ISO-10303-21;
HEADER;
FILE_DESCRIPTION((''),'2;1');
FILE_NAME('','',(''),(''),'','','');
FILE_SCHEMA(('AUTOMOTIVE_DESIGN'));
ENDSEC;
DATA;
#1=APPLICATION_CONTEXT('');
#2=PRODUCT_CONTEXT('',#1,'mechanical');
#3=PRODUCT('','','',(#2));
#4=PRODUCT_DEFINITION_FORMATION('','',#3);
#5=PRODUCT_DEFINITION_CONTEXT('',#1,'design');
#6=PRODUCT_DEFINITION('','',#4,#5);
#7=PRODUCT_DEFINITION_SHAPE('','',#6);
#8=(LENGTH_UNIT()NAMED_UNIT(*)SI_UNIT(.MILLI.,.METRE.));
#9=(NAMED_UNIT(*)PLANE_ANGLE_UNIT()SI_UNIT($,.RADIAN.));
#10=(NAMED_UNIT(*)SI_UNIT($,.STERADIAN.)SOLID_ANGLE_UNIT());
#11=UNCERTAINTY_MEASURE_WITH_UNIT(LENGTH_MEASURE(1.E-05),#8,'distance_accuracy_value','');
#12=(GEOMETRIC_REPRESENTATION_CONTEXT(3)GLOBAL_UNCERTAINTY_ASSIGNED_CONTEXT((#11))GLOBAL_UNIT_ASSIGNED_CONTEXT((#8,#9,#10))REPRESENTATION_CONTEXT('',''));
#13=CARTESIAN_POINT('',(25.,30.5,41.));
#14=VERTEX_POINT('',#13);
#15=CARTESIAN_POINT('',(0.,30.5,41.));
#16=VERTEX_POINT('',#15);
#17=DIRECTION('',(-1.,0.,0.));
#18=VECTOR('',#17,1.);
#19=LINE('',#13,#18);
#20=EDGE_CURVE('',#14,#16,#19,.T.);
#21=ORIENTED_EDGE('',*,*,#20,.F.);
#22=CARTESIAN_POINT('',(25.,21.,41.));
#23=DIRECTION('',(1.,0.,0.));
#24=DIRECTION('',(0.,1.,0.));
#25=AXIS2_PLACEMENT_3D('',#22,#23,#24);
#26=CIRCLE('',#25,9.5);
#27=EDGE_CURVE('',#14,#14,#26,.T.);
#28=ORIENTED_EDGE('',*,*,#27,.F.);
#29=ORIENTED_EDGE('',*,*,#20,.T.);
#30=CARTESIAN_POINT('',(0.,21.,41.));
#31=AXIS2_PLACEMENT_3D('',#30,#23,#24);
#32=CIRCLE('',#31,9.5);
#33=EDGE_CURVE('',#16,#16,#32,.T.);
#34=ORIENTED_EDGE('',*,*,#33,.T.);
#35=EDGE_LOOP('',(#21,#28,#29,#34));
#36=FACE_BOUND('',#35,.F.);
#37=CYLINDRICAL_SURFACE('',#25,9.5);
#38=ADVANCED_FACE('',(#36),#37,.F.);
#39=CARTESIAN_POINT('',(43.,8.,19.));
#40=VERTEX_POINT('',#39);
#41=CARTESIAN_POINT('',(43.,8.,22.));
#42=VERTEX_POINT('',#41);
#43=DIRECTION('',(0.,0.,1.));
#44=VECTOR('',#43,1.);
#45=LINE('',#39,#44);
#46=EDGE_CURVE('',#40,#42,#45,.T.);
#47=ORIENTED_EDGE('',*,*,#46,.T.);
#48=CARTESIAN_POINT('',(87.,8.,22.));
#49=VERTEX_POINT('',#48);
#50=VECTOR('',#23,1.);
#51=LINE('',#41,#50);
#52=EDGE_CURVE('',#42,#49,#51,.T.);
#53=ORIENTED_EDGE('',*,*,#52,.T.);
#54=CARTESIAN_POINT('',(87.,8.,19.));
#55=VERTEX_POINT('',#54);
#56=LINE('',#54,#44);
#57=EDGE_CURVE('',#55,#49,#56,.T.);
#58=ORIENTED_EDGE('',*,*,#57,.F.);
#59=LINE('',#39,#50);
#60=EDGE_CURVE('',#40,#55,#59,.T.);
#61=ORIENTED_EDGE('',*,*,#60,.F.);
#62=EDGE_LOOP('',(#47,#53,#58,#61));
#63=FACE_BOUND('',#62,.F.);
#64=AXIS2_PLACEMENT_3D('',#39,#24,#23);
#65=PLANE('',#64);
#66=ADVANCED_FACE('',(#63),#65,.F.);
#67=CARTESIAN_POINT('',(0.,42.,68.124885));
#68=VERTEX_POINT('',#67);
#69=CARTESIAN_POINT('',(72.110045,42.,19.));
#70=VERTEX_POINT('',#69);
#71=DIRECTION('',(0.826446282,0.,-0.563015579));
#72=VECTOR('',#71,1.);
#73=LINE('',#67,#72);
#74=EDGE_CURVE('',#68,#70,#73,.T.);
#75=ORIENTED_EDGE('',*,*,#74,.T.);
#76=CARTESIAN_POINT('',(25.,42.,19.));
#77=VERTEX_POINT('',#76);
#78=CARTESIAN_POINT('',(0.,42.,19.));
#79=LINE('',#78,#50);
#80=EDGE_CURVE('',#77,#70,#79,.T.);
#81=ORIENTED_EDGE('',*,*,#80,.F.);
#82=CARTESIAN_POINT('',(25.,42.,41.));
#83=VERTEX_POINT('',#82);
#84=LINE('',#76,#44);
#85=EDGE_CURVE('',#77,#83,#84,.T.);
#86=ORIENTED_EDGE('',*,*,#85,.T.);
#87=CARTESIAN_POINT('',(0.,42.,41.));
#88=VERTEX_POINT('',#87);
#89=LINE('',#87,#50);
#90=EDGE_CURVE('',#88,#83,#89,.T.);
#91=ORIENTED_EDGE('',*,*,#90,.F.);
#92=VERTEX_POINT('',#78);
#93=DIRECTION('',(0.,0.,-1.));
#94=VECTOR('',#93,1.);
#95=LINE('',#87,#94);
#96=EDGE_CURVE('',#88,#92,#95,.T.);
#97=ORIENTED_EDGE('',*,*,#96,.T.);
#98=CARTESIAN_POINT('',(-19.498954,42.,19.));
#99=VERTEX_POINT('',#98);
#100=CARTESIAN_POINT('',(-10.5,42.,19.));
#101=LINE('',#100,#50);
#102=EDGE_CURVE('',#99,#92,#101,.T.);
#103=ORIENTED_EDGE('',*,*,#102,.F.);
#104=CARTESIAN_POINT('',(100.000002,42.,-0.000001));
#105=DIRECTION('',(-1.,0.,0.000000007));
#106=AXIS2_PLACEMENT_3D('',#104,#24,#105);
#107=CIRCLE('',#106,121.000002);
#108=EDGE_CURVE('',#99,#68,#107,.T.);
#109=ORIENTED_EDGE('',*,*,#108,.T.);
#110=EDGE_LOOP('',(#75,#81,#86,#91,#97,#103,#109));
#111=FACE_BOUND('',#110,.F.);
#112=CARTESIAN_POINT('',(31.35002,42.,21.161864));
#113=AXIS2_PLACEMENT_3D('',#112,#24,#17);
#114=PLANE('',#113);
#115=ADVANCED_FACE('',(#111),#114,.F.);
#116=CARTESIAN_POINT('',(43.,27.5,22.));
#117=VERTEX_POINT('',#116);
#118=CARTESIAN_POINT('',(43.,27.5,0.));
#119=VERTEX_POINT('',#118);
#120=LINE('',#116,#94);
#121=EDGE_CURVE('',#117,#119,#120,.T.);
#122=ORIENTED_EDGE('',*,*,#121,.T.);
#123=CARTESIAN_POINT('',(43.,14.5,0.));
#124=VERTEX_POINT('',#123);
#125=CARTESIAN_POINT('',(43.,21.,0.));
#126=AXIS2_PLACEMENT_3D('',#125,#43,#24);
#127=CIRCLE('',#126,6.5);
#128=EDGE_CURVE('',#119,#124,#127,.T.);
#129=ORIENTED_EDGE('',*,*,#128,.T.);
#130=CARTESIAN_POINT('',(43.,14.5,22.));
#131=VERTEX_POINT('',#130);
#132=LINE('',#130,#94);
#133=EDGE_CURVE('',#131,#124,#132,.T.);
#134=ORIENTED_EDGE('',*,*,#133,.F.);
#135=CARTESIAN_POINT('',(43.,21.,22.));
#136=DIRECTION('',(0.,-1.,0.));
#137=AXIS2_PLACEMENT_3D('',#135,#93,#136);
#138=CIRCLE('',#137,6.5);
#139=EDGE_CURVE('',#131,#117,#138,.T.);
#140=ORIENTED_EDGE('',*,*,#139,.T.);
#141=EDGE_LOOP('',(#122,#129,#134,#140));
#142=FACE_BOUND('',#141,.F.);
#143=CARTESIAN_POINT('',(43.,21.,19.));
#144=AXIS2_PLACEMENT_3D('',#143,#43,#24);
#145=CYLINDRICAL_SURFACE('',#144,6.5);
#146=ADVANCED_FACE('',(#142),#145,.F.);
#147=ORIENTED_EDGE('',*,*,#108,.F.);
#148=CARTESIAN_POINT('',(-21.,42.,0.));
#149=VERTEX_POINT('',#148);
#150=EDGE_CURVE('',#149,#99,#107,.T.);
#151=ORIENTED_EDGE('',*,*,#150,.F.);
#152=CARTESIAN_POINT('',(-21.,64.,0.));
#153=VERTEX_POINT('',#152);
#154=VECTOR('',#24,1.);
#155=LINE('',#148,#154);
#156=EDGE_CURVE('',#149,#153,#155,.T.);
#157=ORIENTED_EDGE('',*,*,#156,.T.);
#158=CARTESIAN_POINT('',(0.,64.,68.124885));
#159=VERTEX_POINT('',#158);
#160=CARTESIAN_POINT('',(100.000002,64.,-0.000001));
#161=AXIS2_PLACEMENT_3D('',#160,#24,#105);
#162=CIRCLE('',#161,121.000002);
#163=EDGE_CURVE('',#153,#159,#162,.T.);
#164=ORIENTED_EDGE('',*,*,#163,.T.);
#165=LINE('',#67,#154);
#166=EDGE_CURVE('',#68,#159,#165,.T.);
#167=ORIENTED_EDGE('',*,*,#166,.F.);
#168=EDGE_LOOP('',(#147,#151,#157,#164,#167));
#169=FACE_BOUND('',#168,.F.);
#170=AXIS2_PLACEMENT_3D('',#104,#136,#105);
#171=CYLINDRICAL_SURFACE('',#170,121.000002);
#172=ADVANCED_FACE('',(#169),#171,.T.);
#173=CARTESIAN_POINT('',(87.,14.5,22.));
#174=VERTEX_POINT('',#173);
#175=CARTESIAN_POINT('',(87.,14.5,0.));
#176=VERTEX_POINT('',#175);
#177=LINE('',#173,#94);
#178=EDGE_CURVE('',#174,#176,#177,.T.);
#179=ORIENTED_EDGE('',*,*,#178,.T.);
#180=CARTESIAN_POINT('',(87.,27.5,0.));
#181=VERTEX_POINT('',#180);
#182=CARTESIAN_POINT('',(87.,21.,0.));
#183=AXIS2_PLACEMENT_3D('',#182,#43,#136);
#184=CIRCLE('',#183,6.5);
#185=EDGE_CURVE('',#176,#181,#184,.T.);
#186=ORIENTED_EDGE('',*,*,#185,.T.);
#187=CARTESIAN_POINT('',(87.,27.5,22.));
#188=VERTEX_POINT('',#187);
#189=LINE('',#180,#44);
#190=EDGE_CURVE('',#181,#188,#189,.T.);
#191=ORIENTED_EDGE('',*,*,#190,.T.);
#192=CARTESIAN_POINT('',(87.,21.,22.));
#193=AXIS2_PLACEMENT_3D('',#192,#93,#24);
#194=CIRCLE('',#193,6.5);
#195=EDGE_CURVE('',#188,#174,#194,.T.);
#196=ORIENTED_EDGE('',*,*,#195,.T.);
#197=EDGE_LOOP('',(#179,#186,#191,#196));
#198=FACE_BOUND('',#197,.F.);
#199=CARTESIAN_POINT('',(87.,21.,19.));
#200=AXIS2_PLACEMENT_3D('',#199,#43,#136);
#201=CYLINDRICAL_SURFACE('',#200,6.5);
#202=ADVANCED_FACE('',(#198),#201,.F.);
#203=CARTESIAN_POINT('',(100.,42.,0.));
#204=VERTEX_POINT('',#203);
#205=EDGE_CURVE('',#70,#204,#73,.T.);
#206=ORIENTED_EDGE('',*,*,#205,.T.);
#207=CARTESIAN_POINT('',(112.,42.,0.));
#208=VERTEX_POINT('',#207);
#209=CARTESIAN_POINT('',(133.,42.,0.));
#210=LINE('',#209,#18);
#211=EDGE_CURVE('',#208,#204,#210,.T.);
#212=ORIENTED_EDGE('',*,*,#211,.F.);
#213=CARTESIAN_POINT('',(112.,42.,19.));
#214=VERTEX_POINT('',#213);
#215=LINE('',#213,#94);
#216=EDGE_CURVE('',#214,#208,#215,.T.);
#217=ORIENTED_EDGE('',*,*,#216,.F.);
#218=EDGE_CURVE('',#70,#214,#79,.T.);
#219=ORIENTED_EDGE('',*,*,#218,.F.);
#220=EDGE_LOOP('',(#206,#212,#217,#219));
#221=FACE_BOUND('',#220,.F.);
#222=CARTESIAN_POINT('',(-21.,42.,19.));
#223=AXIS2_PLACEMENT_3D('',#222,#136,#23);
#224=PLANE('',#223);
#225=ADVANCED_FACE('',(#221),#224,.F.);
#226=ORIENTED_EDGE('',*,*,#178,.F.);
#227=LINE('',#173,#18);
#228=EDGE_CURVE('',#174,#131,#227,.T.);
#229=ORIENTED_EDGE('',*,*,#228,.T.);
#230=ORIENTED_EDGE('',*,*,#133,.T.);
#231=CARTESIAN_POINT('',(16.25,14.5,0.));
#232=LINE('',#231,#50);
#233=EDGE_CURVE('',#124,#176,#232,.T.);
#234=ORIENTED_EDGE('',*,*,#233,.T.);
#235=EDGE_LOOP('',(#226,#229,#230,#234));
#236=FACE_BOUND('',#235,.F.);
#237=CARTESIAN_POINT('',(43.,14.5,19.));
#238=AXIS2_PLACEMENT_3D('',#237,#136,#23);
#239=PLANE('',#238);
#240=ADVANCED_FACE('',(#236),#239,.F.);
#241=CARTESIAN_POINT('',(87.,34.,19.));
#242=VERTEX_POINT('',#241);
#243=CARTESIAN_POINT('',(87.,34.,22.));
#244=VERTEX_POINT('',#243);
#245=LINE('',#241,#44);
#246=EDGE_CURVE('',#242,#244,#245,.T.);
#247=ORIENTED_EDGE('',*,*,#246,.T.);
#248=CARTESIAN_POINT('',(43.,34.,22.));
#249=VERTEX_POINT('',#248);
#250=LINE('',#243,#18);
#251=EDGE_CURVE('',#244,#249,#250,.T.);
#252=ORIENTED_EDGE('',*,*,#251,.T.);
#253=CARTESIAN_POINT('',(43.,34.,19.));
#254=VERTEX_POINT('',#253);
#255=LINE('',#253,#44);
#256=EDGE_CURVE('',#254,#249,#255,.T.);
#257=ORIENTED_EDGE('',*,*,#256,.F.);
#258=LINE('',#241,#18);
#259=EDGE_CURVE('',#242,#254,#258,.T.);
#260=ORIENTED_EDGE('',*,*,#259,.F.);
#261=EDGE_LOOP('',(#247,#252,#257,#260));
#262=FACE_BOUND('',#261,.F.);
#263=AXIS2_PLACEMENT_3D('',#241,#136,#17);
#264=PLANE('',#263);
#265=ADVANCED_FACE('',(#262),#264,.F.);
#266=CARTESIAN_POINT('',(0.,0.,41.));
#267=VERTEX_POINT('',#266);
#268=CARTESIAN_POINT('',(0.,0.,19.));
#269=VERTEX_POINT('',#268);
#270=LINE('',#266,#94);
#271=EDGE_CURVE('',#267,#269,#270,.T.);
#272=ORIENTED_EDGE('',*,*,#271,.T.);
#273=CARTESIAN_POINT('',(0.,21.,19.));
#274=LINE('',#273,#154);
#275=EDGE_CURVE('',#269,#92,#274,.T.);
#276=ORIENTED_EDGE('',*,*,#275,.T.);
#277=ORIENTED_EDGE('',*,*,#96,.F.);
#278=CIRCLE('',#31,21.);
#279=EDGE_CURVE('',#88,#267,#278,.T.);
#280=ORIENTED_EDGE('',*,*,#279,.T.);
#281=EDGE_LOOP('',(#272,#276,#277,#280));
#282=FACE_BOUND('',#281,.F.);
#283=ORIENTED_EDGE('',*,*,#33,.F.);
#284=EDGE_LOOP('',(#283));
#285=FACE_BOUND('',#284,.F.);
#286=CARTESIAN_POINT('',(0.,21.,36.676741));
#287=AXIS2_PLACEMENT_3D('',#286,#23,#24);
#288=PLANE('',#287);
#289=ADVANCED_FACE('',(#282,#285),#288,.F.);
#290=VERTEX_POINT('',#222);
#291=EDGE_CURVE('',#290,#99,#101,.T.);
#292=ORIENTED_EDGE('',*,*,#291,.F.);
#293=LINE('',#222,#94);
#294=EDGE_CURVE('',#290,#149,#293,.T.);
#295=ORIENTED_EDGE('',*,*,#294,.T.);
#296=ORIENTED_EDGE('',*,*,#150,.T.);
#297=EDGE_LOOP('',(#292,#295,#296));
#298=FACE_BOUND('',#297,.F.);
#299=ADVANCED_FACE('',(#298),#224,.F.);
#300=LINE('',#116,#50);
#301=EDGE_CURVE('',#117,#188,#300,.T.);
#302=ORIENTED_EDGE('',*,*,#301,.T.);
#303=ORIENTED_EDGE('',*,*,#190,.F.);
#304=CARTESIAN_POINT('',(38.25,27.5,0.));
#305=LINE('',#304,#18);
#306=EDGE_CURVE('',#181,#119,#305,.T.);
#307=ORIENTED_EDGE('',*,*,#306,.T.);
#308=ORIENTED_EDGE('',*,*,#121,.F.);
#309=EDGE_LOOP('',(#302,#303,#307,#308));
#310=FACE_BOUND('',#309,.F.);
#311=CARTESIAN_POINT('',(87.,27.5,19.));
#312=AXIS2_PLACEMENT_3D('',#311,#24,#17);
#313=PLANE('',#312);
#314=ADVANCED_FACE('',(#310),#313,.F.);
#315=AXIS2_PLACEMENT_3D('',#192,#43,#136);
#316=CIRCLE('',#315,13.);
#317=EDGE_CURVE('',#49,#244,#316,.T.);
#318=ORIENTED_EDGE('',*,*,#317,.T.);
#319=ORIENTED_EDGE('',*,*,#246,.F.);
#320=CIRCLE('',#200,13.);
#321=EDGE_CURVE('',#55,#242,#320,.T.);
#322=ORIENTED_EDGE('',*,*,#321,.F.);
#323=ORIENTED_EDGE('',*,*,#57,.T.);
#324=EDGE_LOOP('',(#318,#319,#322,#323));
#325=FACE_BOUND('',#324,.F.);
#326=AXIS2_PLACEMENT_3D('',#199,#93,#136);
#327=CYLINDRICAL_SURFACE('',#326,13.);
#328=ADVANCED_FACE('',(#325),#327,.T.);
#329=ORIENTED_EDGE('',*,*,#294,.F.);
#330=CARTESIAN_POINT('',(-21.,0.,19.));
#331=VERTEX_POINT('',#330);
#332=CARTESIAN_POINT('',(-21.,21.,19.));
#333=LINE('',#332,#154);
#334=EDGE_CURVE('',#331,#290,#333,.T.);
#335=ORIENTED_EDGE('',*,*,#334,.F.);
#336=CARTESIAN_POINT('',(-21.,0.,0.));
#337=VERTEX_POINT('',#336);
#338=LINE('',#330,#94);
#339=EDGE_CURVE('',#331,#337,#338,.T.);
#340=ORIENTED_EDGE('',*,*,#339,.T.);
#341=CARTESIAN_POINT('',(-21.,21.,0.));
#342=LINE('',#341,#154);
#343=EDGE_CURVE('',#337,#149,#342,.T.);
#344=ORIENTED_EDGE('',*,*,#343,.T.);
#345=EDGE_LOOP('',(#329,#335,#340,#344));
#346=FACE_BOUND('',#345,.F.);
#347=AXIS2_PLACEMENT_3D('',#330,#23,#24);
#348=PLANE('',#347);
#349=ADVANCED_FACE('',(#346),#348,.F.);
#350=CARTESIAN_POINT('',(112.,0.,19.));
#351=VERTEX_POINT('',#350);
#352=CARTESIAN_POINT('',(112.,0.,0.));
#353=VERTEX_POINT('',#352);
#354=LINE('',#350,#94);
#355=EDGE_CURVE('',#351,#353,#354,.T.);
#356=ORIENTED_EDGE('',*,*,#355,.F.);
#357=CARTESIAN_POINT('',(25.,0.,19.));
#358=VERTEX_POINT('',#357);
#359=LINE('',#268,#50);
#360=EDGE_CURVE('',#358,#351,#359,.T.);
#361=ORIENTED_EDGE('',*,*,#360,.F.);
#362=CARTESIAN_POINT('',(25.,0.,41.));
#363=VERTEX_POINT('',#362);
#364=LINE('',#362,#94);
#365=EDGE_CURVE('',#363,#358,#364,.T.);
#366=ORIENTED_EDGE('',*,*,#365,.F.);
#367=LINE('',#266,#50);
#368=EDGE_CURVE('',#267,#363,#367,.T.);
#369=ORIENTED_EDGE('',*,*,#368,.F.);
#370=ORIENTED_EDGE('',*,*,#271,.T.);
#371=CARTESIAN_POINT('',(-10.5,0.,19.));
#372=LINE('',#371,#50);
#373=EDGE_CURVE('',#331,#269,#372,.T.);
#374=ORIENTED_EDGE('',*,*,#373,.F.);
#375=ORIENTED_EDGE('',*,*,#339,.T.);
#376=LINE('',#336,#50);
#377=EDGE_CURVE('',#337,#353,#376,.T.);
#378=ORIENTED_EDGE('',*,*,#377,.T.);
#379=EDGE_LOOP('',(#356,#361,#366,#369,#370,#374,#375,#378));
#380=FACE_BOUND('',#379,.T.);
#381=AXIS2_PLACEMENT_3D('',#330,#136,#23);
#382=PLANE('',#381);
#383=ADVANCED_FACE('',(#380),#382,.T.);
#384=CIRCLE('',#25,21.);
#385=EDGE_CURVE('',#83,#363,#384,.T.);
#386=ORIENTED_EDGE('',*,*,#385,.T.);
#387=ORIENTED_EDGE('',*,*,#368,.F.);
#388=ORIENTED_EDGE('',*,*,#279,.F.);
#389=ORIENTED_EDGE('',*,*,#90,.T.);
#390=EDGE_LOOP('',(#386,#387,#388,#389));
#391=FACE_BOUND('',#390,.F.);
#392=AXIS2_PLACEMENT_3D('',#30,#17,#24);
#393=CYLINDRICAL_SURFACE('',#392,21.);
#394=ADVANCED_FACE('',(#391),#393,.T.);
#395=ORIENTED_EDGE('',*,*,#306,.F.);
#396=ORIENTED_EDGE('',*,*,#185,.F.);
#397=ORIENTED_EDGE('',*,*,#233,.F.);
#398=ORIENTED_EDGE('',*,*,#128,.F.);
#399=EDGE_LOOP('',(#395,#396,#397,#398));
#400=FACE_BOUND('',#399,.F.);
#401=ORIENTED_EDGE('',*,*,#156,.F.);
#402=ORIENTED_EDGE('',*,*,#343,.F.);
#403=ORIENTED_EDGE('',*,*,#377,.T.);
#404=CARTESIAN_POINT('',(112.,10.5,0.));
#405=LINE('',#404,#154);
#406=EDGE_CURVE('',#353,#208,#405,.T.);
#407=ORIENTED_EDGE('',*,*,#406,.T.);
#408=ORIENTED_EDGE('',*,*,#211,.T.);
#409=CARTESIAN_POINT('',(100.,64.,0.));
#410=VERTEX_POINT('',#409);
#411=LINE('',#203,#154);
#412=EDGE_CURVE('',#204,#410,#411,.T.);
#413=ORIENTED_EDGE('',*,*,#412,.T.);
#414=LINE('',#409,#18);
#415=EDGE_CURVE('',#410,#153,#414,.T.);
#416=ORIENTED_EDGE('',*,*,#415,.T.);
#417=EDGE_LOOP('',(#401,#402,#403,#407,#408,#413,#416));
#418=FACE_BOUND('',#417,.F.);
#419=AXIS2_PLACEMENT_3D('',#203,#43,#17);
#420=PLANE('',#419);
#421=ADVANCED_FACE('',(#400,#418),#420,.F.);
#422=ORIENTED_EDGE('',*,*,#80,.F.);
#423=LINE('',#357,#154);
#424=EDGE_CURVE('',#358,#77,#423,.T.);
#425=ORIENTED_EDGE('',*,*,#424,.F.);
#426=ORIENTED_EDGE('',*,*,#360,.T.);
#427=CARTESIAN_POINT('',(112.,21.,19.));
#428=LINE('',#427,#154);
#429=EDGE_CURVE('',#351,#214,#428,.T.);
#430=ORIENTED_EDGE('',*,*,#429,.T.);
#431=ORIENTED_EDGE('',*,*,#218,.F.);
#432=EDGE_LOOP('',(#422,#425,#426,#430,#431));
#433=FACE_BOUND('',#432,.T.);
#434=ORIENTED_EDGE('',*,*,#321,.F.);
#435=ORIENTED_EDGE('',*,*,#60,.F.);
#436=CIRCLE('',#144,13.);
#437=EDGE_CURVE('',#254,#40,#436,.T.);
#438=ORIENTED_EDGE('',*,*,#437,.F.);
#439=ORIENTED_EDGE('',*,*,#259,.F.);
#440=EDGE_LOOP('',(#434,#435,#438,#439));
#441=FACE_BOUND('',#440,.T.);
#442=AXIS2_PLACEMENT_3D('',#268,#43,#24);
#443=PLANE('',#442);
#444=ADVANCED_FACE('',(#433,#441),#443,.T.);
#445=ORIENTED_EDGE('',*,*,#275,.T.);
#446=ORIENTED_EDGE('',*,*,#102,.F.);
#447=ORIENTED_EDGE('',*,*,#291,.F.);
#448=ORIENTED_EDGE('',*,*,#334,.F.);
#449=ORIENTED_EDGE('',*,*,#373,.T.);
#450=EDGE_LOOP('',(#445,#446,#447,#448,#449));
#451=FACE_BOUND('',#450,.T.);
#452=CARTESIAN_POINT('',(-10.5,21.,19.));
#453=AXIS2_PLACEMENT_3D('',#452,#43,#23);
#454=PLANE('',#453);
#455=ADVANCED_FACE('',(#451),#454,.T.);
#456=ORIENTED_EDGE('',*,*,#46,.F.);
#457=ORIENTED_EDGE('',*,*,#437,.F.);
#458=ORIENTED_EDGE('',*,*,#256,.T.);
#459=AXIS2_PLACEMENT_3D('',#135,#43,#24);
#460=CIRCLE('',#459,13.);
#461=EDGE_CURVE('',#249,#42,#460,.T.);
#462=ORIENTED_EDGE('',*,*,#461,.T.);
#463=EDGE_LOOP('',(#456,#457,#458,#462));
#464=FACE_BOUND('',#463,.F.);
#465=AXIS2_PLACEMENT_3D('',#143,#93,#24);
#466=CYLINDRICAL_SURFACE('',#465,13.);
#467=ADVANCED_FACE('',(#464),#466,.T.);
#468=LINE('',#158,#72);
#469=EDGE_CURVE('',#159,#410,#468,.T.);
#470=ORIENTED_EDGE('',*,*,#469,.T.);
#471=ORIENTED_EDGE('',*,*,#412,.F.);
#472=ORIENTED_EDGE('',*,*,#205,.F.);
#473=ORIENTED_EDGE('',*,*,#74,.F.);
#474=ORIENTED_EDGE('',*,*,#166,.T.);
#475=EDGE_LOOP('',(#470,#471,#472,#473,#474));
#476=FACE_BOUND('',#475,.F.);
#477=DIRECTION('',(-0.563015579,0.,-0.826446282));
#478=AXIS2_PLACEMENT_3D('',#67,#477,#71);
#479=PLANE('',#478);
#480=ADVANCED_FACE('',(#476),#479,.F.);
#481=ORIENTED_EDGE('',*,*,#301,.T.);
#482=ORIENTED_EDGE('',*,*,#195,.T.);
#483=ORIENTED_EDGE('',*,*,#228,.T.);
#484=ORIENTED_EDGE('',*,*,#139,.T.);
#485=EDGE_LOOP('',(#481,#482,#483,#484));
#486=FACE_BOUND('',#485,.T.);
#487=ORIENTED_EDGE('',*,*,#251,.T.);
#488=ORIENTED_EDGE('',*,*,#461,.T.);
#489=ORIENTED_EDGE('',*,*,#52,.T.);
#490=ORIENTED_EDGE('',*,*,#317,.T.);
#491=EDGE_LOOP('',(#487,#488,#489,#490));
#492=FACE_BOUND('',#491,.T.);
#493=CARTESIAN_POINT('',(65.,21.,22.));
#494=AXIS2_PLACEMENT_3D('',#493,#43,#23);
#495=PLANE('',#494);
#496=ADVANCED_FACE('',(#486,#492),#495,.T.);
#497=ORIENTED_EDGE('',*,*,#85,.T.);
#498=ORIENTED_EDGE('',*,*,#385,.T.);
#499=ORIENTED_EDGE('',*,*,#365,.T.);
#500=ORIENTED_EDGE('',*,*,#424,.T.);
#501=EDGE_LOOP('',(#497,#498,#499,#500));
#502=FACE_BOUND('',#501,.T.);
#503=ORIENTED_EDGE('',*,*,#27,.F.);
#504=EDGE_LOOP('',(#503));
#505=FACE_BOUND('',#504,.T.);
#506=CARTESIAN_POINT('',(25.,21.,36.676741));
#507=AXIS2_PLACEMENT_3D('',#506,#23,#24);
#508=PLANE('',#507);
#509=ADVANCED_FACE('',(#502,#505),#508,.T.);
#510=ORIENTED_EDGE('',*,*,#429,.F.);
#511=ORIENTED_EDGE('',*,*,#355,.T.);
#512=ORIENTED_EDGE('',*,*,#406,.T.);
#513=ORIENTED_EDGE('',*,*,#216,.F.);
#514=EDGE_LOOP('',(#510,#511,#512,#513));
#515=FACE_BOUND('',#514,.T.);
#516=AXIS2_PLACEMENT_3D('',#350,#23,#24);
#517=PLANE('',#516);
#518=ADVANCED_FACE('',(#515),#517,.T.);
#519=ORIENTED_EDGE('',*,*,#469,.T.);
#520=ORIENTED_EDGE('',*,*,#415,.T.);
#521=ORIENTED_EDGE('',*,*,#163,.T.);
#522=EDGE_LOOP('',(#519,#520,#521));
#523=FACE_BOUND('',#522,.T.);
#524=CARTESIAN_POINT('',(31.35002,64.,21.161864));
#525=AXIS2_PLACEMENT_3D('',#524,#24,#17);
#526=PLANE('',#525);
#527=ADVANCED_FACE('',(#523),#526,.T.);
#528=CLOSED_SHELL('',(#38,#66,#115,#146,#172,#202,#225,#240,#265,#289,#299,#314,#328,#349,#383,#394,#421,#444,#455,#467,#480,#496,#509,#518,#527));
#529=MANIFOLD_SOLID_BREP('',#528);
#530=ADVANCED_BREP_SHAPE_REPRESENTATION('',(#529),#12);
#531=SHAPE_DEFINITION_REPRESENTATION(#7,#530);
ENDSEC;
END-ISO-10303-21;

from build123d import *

# Parameters (mm, degrees)
F0_W      = 42
F0_H      = 19
F1_DEPTH  = 133
F2_DEPTH  = 25
F3_W      = 21
F3_H      = 42
F4_DEPTH  = 19
F5_R      = 9.5
F6_DEPTH  = 46.001
F7_W      = 21
F7_H      = 42
F8_DEPTH  = 19.001
F10_DEPTH = 3
F11_DEPTH = 19.001
F13_DEPTH = 22


with BuildPart() as f1:
    # F0 (on Right) → F1 (new body)
    with BuildSketch(Plane.YZ):
        with Locations((21, 9.5)):
            Rectangle(F0_W, F0_H)
    extrude(amount=F1_DEPTH)

    # F0 (on Right) → F2 (join)
    with BuildSketch(Plane.YZ):
        with BuildLine():
            Line((0, 41), (0, 19))
            Line((0, 19), (42, 19))
            Line((42, 19), (42, 41))
            ThreePointArc((42, 41), (21, 62), (0, 41))
        make_face()
    extrude(amount=F2_DEPTH)

    # F3 (on face) → F4 (join)
    with BuildSketch(Plane.XY.offset(19)):
        with Locations((-10.5, 21)):
            Rectangle(F3_W, F3_H)
    extrude(amount=-F4_DEPTH)

    # F5 (on face) → F6 (cut, through all)
    with BuildSketch(Plane.YZ.offset(25)):
        with Locations((21, 41)):
            Circle(F5_R)
    extrude(amount=-F6_DEPTH, mode=Mode.SUBTRACT)

    # F7 (on face) → F8 (cut, through all)
    with BuildSketch(Plane.XY.offset(19)):
        with Locations((122.5, 21)):
            Rectangle(F7_W, F7_H)
    extrude(amount=-F8_DEPTH, mode=Mode.SUBTRACT)

    # F9 (on face) → F10 (join)
    with BuildSketch(Plane.XY.offset(19)):
        with BuildLine():
            Line((87, 34), (43, 34))
            ThreePointArc((43, 34), (30, 21), (43, 8))
            Line((43, 8), (87, 8))
            ThreePointArc((87, 8), (100, 21), (87, 34))
        make_face()
        with BuildLine():
            ThreePointArc((43, 14.5), (36.5, 21), (43, 27.5))
            Line((43, 27.5), (87, 27.5))
            ThreePointArc((87, 27.5), (93.5, 21), (87, 14.5))
            Line((87, 14.5), (43, 14.5))
        make_face(mode=Mode.SUBTRACT)
    extrude(amount=F10_DEPTH)

    # F9 (on face) → F11 (cut, through all)
    with BuildSketch(Plane.XY.offset(19)):
        with BuildLine():
            Line((87, 27.5), (43, 27.5))
            ThreePointArc((43, 27.5), (36.5, 21), (43, 14.5))
            Line((43, 14.5), (87, 14.5))
            ThreePointArc((87, 14.5), (93.5, 21), (87, 27.5))
        make_face()
    extrude(amount=-F11_DEPTH, mode=Mode.SUBTRACT)

    # F12 (on face) → F13 (join)
    with BuildSketch(Plane(origin=(0, 42, 0), x_dir=(-1, 0, 0), z_dir=(0, 1, 0))):
        with BuildLine():
            Line((-100, 0), (21, 0))
            ThreePointArc((21, 0), (15.630878, 35.644074), (0, 68.124885))
            Line((0, 68.124885), (-100, 0))
        make_face()
    extrude(amount=F13_DEPTH)


solid = f1.part
